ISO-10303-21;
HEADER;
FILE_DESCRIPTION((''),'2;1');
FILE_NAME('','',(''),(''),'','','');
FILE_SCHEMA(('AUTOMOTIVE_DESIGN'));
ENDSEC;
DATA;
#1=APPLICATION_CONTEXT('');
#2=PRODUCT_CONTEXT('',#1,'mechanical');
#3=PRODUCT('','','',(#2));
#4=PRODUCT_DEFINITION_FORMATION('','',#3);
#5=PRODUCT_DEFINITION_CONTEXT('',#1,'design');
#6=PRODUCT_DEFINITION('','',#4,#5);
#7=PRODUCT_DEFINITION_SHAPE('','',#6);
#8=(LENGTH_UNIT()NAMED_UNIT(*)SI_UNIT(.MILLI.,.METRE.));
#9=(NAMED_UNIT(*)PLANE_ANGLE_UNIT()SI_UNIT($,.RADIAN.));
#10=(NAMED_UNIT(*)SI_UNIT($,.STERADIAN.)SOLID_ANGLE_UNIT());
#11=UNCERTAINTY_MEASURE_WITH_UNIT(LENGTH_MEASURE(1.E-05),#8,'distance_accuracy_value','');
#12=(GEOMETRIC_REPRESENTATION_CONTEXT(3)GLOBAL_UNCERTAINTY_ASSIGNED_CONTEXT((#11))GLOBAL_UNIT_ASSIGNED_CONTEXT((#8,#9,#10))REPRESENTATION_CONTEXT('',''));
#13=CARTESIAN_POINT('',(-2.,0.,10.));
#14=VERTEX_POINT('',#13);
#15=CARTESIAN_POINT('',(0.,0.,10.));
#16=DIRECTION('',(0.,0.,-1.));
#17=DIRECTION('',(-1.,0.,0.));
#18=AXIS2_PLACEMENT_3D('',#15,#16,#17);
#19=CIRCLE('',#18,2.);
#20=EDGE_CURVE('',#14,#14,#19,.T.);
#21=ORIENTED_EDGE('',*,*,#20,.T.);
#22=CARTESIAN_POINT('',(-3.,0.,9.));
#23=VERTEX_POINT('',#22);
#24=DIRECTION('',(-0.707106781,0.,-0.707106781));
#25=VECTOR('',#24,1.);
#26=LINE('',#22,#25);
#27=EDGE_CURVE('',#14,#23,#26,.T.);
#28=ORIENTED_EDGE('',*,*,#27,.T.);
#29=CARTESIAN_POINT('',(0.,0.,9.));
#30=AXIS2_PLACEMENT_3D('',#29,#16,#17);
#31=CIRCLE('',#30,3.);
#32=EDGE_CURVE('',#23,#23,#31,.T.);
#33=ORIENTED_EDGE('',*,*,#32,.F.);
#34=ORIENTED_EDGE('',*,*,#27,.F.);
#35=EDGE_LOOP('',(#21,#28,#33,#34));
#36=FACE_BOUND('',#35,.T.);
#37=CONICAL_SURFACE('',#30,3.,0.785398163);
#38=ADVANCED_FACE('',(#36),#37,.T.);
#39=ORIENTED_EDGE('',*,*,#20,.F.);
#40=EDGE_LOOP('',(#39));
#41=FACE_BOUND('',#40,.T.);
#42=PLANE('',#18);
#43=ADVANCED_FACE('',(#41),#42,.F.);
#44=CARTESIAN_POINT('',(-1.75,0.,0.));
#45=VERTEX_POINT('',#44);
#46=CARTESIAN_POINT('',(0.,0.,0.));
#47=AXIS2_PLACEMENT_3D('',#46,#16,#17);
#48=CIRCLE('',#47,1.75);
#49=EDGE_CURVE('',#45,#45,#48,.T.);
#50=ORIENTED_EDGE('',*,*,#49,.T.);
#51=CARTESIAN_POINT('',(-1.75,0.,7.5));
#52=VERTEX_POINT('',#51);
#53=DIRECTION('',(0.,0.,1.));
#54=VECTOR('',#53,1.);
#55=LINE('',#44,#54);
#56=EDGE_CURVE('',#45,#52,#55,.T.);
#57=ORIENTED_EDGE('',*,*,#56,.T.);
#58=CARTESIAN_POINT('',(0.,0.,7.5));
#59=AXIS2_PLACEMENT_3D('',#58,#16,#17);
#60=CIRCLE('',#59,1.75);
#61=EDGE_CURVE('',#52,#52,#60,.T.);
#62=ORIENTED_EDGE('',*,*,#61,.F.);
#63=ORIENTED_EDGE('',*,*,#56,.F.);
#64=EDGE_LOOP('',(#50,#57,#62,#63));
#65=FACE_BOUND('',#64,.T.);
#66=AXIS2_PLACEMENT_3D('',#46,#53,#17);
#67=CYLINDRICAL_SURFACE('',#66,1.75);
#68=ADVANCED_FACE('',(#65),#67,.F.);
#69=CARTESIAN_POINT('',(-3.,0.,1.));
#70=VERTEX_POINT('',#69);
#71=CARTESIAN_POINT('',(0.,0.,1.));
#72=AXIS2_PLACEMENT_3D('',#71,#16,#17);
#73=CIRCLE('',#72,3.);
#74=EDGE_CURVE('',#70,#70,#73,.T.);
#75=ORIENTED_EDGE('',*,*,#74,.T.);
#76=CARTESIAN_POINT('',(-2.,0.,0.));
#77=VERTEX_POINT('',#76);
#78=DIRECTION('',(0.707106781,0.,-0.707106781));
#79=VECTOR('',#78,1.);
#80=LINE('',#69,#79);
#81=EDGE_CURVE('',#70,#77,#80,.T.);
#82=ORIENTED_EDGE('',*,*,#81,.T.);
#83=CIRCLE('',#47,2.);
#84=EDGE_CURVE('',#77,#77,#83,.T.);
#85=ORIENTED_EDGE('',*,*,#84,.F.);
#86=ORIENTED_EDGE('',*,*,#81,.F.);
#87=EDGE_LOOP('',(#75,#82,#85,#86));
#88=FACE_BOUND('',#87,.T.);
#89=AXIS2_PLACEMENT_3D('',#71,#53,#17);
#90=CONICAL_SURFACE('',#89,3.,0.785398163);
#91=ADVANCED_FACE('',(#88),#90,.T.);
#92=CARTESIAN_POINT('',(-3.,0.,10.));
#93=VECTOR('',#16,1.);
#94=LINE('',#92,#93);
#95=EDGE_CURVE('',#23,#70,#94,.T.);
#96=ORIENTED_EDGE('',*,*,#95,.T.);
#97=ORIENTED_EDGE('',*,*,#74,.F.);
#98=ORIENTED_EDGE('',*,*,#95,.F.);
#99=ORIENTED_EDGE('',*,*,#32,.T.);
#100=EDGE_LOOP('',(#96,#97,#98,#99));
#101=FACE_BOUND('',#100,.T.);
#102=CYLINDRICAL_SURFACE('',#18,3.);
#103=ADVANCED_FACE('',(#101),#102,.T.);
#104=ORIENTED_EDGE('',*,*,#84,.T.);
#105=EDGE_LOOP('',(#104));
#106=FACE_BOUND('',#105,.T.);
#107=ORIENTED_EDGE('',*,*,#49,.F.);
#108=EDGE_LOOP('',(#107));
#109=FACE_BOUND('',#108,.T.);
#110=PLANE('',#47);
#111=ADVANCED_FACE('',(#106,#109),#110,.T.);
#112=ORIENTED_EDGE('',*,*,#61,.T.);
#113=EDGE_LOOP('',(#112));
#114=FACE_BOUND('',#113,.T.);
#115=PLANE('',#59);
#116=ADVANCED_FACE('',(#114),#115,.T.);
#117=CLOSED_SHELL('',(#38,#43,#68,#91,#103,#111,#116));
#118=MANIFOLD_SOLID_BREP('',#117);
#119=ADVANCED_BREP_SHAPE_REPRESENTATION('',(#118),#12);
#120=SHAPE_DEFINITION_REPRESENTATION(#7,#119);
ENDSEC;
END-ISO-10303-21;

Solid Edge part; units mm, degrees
sketch "Sketch1" plane through (0, 0, 0) normal (0, -1, 0) x (1, 0, 0)
  line L0 (-1.75, 0) -> (-1.75, 7.5)
  line L1 (-1.75, 7.5) -> (0, 7.5)
  line L2 (0, 7.5) -> (0, 10)
  line L3 (0, 10) -> (-3, 10)
  line L4 (-3, 10) -> (-3, 0)
  line L5 (-3, 0) -> (-1.75, 0)
  dimension "D1" = 7.5
  dimension "D2" = 2.5
revolve "RevolvedProtrusion1" add sketch "Sketch1" angle 360 about axis through (0, 0, 54) along (0, 0, -1)
chamfer "Chamfer1" distance 1 angle 45 2 edges at (3, 0, 10) (3, 0, 0)
properties part number "104" material "PLA"
